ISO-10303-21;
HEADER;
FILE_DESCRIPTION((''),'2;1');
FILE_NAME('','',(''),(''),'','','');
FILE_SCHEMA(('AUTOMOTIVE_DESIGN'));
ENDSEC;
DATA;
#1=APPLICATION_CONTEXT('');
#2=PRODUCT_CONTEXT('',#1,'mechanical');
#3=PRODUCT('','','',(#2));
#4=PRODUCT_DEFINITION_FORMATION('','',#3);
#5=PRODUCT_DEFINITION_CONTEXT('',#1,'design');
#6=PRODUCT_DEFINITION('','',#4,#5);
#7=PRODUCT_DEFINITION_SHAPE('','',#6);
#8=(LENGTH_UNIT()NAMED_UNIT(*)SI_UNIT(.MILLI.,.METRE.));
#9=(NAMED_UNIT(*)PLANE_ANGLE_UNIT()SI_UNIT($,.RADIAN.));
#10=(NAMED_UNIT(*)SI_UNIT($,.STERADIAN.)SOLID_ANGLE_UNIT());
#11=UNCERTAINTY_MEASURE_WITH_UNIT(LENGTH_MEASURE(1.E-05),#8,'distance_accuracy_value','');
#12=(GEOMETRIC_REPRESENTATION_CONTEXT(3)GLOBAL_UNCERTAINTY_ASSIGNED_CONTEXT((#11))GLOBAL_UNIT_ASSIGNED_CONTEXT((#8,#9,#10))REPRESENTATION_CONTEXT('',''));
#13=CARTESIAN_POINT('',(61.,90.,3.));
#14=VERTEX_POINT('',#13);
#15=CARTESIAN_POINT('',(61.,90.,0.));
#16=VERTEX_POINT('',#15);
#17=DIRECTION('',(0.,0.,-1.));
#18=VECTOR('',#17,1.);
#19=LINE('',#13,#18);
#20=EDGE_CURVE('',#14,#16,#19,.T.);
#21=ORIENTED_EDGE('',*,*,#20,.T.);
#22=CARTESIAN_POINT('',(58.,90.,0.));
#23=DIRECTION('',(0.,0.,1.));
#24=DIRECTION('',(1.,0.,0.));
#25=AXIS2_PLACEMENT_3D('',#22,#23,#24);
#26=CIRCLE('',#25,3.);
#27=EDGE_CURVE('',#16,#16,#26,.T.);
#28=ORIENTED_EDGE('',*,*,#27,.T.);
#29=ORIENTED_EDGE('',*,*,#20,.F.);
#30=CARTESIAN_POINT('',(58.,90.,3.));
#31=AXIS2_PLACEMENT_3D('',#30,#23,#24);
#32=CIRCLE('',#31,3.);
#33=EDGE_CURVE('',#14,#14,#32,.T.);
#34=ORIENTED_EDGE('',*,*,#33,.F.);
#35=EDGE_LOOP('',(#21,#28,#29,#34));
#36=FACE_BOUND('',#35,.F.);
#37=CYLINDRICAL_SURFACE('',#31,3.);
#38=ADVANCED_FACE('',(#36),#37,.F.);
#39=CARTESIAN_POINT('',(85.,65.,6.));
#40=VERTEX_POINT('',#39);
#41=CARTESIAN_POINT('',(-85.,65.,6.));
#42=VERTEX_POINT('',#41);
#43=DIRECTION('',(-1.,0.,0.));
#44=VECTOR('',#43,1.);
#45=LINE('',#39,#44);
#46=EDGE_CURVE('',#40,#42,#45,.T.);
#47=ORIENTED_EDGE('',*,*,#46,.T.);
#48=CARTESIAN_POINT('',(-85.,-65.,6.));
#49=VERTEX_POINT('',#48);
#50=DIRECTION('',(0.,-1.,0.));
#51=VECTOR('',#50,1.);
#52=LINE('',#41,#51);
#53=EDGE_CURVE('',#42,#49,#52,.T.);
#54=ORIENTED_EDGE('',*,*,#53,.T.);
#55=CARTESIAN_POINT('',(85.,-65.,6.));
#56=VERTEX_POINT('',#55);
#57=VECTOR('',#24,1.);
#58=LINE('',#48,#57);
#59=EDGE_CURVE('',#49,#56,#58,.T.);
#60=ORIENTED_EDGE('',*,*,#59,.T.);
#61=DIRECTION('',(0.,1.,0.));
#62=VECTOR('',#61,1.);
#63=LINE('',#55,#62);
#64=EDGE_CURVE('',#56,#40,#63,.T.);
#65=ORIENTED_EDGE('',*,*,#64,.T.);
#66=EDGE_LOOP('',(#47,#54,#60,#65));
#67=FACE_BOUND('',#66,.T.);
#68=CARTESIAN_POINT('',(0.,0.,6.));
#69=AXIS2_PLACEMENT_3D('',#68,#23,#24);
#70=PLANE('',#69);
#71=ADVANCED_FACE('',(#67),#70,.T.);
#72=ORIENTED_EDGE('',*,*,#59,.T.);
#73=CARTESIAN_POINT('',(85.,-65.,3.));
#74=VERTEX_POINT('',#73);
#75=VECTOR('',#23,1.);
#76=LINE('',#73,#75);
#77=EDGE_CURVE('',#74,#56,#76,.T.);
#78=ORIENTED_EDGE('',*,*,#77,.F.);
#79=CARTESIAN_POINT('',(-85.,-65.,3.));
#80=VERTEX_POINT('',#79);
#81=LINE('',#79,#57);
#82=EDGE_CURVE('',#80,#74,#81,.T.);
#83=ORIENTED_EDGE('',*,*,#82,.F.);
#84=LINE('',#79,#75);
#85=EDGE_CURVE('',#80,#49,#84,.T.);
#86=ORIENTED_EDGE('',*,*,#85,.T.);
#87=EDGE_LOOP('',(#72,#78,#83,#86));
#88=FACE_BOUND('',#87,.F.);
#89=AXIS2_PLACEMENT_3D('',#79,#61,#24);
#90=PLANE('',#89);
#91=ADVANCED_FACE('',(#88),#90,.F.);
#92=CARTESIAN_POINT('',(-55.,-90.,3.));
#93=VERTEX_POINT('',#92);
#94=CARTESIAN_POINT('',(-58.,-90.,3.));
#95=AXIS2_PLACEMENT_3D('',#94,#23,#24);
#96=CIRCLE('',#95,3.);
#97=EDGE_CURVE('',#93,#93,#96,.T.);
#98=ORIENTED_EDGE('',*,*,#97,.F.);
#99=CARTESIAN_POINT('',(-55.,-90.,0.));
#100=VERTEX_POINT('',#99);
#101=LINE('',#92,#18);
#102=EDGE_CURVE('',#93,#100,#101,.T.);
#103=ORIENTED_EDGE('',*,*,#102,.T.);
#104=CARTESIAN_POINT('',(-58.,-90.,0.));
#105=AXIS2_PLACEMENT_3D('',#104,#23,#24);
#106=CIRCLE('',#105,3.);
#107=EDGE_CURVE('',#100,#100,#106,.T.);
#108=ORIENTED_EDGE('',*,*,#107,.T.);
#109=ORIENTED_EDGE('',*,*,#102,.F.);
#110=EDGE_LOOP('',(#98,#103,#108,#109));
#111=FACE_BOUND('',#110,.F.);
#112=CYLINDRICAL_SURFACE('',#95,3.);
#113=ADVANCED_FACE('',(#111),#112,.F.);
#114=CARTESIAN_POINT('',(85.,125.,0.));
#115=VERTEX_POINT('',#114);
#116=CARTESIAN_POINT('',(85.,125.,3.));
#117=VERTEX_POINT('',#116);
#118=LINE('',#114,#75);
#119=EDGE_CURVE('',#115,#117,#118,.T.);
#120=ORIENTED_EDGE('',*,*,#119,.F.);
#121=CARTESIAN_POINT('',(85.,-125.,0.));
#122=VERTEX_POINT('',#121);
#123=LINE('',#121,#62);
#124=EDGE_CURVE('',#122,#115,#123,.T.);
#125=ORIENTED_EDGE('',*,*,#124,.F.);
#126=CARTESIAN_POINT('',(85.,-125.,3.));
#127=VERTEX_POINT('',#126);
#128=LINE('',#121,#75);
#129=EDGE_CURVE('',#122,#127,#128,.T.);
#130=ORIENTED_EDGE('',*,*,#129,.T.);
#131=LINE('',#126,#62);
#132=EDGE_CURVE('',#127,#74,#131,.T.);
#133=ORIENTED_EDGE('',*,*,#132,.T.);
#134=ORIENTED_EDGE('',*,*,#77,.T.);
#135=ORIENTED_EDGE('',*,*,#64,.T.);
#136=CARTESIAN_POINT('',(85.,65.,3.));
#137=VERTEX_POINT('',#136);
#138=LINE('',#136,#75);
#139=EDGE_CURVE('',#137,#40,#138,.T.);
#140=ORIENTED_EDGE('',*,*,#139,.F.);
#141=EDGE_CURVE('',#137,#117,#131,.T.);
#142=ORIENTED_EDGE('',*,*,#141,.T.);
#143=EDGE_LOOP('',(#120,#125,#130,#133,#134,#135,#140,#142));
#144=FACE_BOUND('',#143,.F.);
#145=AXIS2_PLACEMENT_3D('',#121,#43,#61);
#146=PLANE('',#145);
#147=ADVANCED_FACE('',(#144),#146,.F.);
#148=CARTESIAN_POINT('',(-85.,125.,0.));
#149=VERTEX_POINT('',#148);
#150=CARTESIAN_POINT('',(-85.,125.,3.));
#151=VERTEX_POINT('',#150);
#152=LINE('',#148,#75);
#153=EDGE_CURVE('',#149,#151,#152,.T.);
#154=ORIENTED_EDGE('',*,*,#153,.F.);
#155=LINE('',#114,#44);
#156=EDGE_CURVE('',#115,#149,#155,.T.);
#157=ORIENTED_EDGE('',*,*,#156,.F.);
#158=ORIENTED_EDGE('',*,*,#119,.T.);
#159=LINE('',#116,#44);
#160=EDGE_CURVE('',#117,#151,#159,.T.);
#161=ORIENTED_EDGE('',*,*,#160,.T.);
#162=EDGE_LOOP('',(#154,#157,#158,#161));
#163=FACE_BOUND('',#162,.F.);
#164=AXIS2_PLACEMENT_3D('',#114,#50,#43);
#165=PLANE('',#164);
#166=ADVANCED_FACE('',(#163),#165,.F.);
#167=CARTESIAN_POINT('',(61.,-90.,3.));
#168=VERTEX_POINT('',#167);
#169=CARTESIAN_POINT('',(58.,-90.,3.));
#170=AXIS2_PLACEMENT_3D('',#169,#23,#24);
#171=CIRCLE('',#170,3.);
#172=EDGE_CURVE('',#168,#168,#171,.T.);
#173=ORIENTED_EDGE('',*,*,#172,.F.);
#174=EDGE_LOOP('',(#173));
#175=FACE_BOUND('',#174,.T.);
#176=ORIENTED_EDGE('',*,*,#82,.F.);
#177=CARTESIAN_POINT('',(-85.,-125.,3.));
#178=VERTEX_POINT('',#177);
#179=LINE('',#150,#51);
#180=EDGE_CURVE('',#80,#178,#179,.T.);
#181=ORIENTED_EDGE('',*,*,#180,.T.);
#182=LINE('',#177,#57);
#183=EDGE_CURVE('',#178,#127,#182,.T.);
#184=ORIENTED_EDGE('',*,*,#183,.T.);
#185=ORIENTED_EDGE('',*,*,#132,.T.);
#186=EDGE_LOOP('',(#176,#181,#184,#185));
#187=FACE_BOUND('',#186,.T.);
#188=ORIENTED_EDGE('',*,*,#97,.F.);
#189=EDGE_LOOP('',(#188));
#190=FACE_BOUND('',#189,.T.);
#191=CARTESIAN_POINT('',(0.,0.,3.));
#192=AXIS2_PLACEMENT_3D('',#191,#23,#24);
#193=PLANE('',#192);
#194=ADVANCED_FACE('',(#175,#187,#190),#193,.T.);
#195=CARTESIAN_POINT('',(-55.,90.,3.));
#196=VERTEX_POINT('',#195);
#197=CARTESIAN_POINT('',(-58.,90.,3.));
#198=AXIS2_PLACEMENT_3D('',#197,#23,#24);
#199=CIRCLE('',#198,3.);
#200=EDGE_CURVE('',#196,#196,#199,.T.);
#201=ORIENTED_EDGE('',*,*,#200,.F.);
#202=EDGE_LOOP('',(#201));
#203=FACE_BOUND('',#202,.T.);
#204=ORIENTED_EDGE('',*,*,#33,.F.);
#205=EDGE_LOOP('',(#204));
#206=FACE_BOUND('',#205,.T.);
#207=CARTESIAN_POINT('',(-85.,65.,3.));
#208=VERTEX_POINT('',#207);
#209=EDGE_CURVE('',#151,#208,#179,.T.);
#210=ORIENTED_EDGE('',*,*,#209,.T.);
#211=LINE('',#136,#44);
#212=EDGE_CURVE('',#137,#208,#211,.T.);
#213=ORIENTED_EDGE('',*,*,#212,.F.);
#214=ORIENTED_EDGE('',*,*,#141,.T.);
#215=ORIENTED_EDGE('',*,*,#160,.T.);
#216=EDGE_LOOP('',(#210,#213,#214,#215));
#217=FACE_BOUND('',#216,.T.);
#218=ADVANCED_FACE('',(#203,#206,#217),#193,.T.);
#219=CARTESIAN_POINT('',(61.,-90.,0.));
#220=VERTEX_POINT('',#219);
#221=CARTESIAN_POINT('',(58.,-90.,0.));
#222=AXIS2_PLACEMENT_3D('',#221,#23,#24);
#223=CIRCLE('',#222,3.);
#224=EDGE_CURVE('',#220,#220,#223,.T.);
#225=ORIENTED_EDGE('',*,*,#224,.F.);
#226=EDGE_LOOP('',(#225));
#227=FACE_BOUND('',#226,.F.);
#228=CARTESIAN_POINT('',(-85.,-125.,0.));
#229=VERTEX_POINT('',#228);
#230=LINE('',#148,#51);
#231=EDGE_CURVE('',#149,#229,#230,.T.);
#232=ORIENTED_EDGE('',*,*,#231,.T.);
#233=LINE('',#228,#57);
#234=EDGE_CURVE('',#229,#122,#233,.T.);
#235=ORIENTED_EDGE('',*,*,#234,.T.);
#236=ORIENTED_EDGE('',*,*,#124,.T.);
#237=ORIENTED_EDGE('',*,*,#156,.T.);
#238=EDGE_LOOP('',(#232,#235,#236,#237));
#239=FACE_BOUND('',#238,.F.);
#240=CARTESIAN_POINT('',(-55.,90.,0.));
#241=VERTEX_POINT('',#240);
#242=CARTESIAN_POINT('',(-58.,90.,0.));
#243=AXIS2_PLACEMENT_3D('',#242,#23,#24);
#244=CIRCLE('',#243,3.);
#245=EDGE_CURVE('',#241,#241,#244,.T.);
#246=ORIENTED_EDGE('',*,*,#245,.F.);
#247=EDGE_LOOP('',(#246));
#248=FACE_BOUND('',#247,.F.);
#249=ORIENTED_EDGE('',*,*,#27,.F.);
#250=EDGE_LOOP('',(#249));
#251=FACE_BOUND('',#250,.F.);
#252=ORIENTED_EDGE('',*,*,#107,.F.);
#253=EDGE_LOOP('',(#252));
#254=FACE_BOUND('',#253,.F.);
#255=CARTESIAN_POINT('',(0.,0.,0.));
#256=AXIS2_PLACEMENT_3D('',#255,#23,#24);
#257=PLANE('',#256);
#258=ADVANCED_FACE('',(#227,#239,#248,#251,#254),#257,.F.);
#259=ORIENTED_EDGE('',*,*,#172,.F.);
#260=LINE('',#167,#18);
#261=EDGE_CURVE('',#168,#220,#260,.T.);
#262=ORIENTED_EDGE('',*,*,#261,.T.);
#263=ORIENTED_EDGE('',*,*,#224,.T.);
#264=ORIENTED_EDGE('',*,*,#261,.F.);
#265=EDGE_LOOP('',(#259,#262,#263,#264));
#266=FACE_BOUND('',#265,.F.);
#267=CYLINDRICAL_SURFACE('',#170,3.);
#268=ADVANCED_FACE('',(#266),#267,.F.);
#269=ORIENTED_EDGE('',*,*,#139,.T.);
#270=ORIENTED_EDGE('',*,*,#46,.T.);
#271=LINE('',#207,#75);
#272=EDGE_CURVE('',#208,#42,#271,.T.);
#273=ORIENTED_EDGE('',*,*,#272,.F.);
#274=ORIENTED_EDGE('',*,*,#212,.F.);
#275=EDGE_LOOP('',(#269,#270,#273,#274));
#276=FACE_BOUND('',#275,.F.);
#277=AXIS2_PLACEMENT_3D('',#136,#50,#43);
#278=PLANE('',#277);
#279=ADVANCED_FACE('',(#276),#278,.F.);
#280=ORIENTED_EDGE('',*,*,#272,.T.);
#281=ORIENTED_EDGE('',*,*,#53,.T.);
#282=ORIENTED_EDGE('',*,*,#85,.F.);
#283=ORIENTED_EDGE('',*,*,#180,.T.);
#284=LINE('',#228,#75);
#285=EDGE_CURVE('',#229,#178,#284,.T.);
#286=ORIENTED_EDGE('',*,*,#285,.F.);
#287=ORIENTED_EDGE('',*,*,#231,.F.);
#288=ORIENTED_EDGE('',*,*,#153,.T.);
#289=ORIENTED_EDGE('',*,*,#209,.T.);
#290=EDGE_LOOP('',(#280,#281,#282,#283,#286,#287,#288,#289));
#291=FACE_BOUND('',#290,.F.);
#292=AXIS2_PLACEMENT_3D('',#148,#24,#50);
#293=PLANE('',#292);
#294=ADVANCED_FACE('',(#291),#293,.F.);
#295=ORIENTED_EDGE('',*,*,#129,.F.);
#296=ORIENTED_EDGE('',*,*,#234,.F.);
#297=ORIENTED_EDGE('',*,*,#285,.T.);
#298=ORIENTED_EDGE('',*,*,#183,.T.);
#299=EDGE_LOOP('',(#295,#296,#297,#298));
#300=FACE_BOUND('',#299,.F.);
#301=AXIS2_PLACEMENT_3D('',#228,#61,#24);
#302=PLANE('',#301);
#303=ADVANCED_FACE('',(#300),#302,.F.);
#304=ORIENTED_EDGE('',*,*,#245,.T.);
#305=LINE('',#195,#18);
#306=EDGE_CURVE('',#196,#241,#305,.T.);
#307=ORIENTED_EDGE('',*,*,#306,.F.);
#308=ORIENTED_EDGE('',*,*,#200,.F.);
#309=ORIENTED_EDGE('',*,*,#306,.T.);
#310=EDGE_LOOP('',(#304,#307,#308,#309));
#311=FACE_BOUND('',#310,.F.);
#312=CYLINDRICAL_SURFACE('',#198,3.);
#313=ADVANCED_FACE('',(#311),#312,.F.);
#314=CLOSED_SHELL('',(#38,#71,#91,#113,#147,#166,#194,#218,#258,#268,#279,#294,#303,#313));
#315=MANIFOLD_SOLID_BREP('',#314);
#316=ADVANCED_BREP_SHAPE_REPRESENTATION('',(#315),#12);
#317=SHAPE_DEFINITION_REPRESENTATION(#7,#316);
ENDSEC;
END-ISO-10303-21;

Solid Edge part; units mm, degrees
sketch "Sketch1" plane through (0, 0, 0) normal (0, 0, 1) x (1, 0, 0)
  line L0 (-85, -125) -> (85, -125)
  line L1 (85, -125) -> (85, 125)
  line L2 (85, 125) -> (-85, 125)
  line L3 (-85, 125) -> (-85, -125)
  dimension "D1" = 170
  dimension "D2" = 250
extrude "Protrusion1" add sketch "Sketch1" along normal blind 3
sketch "Sketch2" plane through (0, 0, 3) normal (0, 0, 1) x (1, 0, 0)
  circle A0 centre (-58, 90) radius 3
  circle A1 centre (58, 90) radius 3
  circle A2 centre (58, -90) radius 3
  circle A3 centre (-58, -90) radius 3
  dimension "D1" = 58
  dimension "D2" = 58
extrude "Cutout1" cut sketch "Sketch2" against normal through all
sketch "Sketch3" plane through (0, 0, 3) normal (0, 0, 1) x (1, 0, 0)
  line L0 (-85, -65) -> (85, -65)
  line L1 (85, -65) -> (85, 65)
  line L2 (85, 65) -> (-85, 65)
  line L3 (-85, 65) -> (-85, -65)
extrude "Extrusionsausprägung_2" add sketch "Sketch3" along normal blind 3
properties material "Nylon, allgemein"
